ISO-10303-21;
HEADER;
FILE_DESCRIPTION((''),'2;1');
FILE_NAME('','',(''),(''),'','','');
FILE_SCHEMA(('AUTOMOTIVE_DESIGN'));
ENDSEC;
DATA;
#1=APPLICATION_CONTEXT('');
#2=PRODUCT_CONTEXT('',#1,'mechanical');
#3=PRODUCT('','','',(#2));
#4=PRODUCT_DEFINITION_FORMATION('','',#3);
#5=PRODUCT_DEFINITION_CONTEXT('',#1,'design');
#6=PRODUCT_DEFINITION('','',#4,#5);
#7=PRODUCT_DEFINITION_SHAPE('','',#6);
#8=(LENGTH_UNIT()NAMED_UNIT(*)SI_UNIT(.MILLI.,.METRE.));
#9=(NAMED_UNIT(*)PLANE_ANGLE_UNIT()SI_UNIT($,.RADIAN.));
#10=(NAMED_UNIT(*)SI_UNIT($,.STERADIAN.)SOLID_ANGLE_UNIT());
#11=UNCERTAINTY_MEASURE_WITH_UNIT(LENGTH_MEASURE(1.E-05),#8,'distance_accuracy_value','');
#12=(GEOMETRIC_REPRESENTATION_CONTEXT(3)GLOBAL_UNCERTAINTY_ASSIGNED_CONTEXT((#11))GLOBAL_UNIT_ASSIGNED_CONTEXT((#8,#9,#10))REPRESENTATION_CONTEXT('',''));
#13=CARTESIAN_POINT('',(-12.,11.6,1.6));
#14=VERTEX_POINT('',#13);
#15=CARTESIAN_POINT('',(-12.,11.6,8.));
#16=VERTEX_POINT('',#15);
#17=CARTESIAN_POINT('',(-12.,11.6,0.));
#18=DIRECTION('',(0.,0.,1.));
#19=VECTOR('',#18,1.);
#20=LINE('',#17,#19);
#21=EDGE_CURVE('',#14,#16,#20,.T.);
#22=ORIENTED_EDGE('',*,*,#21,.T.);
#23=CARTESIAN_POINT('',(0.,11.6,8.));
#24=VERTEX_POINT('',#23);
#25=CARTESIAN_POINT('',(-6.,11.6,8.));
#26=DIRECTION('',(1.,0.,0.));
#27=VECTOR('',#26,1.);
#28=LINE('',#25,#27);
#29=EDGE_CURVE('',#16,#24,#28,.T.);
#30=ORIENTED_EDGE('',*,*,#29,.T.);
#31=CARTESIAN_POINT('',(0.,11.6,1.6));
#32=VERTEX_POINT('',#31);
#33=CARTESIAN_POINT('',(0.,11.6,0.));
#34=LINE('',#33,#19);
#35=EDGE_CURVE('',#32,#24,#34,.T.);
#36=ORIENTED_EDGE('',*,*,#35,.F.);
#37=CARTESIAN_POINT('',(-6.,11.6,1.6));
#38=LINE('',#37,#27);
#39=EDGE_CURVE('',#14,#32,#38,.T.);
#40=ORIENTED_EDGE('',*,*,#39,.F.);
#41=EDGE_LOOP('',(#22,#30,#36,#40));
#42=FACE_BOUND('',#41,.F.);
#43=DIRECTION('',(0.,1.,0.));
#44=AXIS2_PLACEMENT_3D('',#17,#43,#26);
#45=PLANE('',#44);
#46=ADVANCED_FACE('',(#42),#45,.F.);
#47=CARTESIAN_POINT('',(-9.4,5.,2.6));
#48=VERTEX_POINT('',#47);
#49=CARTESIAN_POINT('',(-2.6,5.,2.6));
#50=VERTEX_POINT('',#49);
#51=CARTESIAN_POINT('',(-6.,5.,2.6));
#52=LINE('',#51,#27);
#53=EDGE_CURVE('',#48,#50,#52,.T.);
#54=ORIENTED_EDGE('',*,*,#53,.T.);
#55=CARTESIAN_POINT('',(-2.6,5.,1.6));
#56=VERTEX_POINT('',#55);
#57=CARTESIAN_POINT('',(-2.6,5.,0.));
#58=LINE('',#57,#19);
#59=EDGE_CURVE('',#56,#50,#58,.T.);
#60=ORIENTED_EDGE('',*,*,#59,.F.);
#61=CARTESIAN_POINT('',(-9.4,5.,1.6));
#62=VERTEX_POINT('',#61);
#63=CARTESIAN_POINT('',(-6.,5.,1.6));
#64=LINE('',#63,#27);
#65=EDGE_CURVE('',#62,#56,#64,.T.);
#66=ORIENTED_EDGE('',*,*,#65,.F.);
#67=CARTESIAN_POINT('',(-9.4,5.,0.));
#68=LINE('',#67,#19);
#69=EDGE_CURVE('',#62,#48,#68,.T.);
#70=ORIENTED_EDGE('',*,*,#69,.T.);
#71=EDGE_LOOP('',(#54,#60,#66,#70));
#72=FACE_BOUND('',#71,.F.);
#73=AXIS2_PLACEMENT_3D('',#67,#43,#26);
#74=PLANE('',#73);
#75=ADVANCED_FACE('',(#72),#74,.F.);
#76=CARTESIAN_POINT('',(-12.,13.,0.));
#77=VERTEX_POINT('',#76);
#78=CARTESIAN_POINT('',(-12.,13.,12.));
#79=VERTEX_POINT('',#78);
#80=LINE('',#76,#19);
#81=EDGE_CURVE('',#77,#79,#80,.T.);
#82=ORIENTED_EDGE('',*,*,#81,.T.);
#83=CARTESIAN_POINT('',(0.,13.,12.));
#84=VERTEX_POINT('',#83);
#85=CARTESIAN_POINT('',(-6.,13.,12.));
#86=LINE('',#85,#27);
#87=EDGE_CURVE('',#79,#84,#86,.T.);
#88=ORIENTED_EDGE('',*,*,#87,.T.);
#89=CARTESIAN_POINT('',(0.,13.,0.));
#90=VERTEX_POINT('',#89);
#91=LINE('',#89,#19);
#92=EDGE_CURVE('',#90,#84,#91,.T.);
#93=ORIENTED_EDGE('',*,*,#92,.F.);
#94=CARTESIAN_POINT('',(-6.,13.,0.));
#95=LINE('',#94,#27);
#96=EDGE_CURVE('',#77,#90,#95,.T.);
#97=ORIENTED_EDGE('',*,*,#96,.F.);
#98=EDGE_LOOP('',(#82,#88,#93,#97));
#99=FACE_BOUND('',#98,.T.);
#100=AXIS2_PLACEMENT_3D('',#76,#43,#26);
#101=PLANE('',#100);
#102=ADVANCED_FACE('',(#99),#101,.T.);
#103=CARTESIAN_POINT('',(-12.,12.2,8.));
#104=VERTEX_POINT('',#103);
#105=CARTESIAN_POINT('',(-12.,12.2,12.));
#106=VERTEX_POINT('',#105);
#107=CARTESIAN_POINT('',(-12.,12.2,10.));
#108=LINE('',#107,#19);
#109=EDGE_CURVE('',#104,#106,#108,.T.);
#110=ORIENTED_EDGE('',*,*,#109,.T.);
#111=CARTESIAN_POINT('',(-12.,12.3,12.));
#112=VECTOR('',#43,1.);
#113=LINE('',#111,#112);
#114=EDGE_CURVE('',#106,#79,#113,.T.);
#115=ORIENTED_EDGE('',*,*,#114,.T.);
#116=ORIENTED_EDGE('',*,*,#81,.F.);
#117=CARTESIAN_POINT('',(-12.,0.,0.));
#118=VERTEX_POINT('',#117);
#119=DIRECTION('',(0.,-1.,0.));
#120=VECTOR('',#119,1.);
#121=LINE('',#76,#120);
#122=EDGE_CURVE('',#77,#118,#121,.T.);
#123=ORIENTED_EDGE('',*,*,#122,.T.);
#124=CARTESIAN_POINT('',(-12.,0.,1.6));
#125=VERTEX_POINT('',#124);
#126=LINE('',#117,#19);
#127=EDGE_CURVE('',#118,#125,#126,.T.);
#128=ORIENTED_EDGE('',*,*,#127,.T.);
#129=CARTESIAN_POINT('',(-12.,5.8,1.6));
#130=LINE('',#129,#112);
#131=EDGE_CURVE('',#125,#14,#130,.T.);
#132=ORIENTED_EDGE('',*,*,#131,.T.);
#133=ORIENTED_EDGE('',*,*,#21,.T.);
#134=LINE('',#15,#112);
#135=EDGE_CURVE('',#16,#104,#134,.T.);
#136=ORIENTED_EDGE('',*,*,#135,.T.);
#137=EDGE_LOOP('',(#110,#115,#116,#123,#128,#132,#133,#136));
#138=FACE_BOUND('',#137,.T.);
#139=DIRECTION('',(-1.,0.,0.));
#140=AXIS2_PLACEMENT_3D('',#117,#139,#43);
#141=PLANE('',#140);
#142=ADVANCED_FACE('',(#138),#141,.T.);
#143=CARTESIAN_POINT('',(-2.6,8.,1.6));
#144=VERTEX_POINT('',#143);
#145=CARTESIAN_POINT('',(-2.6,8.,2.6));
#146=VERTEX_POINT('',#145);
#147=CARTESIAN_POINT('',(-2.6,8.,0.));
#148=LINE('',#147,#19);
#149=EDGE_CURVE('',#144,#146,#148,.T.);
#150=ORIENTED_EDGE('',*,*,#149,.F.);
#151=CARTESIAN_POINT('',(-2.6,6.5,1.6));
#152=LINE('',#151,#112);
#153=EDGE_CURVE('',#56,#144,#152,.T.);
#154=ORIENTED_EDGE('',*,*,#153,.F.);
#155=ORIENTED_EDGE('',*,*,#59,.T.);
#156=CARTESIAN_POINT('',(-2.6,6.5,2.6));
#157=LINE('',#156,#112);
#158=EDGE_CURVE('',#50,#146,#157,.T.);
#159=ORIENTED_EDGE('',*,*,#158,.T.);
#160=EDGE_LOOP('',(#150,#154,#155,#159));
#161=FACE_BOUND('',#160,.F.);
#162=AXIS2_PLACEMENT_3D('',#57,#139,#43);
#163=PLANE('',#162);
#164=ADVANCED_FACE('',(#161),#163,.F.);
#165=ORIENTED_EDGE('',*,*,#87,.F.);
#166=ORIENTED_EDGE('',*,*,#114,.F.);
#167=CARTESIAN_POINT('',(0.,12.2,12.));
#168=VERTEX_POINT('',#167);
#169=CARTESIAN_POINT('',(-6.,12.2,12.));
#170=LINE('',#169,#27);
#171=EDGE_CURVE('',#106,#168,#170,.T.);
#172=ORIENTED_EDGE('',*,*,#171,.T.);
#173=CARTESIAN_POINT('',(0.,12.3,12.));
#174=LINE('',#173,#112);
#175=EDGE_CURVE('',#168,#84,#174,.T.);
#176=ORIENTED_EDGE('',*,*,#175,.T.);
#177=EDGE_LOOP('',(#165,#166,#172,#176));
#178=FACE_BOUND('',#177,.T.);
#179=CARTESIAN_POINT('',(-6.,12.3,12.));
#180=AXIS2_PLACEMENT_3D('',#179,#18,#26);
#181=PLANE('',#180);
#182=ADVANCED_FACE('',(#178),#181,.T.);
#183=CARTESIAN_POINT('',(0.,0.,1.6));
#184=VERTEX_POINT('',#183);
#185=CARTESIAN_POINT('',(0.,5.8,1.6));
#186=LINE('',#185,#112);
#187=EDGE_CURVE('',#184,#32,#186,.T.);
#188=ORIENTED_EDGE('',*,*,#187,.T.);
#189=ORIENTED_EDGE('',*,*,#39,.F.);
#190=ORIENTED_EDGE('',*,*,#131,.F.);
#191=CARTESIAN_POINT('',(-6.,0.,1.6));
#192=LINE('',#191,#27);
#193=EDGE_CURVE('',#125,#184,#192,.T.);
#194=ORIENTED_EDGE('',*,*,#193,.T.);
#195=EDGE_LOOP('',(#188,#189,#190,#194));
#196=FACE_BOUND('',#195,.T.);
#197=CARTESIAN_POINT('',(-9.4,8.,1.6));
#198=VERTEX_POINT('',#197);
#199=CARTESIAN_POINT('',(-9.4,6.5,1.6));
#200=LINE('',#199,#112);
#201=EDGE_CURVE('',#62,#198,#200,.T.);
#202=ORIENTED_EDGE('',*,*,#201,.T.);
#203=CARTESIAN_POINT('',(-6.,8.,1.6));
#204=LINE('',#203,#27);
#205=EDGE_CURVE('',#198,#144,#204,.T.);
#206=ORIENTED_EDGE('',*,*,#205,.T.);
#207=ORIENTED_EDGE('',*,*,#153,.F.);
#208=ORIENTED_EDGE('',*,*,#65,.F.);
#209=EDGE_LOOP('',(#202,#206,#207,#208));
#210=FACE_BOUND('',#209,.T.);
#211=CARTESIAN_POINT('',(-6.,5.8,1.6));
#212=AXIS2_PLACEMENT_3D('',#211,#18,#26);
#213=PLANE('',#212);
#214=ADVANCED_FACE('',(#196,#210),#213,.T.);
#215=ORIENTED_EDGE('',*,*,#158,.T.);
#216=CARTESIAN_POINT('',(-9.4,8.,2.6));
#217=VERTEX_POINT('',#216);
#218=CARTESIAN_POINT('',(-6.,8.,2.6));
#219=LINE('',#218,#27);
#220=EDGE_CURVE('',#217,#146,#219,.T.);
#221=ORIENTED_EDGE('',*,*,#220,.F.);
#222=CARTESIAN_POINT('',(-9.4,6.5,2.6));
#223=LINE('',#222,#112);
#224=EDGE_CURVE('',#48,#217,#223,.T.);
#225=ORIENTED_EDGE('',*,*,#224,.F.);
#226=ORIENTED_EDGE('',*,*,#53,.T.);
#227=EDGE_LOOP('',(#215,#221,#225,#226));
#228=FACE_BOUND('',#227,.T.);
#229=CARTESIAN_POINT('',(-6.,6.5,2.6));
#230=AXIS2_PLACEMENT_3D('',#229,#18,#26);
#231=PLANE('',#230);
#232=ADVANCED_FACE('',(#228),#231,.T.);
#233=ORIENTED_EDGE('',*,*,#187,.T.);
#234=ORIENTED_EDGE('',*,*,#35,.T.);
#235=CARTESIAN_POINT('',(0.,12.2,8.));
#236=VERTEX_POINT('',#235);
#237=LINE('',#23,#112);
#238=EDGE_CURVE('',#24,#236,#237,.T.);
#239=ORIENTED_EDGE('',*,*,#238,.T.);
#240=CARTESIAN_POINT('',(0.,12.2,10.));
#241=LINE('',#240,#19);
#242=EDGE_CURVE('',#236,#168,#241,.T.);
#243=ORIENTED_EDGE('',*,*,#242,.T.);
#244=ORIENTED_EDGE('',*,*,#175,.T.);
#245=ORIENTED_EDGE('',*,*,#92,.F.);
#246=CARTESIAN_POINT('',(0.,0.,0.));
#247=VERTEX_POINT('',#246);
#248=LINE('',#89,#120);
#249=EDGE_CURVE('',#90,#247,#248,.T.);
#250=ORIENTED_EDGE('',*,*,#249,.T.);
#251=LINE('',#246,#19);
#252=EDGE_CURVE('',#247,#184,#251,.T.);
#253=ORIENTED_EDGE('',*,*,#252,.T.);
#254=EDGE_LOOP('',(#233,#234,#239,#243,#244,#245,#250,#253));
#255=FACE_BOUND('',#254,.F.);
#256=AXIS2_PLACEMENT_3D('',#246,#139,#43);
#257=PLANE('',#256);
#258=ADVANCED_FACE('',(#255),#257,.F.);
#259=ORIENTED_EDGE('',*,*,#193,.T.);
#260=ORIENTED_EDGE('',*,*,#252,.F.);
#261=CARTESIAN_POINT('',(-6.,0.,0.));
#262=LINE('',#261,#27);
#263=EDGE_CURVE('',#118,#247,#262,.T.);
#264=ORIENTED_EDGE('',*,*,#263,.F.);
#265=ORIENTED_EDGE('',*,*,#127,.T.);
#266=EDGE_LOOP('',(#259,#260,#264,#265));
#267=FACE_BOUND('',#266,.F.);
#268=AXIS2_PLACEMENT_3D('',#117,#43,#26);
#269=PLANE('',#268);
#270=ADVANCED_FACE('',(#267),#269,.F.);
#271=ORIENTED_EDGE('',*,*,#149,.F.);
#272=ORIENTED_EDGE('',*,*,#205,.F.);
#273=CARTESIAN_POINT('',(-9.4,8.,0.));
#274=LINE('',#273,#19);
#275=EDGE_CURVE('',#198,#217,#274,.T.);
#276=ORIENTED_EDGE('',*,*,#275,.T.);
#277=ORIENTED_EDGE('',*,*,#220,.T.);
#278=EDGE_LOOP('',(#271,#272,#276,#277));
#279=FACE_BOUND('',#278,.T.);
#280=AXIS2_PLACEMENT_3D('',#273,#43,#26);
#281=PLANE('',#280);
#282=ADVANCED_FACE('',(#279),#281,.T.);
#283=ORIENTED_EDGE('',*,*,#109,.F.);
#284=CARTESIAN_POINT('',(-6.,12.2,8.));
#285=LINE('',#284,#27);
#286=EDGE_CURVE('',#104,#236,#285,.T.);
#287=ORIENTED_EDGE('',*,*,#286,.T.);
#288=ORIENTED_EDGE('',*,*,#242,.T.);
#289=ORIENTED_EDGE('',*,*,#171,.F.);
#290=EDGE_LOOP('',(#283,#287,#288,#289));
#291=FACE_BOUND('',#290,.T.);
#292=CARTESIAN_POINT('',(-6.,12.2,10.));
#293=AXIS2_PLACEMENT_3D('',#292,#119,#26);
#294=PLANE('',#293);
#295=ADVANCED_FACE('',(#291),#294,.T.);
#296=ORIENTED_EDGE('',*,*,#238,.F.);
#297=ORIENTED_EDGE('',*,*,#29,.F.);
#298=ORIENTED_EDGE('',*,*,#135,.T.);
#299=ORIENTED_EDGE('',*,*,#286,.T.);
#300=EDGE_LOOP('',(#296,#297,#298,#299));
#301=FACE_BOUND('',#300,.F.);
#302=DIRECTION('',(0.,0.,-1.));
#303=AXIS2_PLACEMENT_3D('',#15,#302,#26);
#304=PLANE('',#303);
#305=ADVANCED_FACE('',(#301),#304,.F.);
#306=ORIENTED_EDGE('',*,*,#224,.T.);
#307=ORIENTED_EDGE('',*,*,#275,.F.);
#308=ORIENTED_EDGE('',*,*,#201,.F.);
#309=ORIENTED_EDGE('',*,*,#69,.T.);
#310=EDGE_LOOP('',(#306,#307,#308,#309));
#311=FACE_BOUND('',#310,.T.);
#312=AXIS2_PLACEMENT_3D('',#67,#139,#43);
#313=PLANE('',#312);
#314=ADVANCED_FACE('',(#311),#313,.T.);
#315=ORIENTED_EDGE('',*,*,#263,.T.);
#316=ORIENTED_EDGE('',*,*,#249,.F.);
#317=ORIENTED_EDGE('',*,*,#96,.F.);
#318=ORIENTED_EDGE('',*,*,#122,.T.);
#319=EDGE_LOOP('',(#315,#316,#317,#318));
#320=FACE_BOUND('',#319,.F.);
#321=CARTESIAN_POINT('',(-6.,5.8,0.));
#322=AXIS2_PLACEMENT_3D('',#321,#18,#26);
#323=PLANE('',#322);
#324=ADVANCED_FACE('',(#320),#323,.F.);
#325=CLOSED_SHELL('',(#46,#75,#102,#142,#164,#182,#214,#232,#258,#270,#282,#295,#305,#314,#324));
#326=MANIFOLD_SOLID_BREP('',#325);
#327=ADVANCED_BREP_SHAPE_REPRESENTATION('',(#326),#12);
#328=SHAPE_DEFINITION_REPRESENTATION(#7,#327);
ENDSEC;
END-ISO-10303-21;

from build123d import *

# Parameters (mm, degrees)
F0_W     = 12
F0_H     = 1.4
F1_DEPTH = 12
F0_H_2   = 11.6
F0_W_2   = 6.8
F0_H_3   = 3
F2_DEPTH = 1.6
F3_DEPTH = 2.6
F4_W     = 12
F4_H     = 4
F5_DEPTH = 0.6


with BuildPart() as f1:
    # F0 (on Top) → F1 (new body)
    with BuildSketch(Plane.XY):
        with Locations((-6, 12.3)):
            Rectangle(F0_W, F0_H)
    extrude(amount=F1_DEPTH)

    # F0 (on Top) → F2 (join)
    with BuildSketch(Plane.XY):
        with Locations((-6, 5.8)):
            Rectangle(F0_W, F0_H_2)
        with Locations((-6, 6.5)):
            Rectangle(F0_W_2, F0_H_3, mode=Mode.SUBTRACT)
    extrude(amount=F2_DEPTH)

    # F0 (on Top) → F3 (join)
    with BuildSketch(Plane.XY):
        with Locations((-6, 6.5)):
            Rectangle(F0_W_2, F0_H_3)
    extrude(amount=F3_DEPTH)

    # F4 (on face) → F5 (cut)
    with BuildSketch(Plane.XZ.offset(-11.6)):
        with Locations((-6, 10)):
            Rectangle(F4_W, F4_H)
    extrude(amount=-F5_DEPTH, mode=Mode.SUBTRACT)


solid = f1.part
